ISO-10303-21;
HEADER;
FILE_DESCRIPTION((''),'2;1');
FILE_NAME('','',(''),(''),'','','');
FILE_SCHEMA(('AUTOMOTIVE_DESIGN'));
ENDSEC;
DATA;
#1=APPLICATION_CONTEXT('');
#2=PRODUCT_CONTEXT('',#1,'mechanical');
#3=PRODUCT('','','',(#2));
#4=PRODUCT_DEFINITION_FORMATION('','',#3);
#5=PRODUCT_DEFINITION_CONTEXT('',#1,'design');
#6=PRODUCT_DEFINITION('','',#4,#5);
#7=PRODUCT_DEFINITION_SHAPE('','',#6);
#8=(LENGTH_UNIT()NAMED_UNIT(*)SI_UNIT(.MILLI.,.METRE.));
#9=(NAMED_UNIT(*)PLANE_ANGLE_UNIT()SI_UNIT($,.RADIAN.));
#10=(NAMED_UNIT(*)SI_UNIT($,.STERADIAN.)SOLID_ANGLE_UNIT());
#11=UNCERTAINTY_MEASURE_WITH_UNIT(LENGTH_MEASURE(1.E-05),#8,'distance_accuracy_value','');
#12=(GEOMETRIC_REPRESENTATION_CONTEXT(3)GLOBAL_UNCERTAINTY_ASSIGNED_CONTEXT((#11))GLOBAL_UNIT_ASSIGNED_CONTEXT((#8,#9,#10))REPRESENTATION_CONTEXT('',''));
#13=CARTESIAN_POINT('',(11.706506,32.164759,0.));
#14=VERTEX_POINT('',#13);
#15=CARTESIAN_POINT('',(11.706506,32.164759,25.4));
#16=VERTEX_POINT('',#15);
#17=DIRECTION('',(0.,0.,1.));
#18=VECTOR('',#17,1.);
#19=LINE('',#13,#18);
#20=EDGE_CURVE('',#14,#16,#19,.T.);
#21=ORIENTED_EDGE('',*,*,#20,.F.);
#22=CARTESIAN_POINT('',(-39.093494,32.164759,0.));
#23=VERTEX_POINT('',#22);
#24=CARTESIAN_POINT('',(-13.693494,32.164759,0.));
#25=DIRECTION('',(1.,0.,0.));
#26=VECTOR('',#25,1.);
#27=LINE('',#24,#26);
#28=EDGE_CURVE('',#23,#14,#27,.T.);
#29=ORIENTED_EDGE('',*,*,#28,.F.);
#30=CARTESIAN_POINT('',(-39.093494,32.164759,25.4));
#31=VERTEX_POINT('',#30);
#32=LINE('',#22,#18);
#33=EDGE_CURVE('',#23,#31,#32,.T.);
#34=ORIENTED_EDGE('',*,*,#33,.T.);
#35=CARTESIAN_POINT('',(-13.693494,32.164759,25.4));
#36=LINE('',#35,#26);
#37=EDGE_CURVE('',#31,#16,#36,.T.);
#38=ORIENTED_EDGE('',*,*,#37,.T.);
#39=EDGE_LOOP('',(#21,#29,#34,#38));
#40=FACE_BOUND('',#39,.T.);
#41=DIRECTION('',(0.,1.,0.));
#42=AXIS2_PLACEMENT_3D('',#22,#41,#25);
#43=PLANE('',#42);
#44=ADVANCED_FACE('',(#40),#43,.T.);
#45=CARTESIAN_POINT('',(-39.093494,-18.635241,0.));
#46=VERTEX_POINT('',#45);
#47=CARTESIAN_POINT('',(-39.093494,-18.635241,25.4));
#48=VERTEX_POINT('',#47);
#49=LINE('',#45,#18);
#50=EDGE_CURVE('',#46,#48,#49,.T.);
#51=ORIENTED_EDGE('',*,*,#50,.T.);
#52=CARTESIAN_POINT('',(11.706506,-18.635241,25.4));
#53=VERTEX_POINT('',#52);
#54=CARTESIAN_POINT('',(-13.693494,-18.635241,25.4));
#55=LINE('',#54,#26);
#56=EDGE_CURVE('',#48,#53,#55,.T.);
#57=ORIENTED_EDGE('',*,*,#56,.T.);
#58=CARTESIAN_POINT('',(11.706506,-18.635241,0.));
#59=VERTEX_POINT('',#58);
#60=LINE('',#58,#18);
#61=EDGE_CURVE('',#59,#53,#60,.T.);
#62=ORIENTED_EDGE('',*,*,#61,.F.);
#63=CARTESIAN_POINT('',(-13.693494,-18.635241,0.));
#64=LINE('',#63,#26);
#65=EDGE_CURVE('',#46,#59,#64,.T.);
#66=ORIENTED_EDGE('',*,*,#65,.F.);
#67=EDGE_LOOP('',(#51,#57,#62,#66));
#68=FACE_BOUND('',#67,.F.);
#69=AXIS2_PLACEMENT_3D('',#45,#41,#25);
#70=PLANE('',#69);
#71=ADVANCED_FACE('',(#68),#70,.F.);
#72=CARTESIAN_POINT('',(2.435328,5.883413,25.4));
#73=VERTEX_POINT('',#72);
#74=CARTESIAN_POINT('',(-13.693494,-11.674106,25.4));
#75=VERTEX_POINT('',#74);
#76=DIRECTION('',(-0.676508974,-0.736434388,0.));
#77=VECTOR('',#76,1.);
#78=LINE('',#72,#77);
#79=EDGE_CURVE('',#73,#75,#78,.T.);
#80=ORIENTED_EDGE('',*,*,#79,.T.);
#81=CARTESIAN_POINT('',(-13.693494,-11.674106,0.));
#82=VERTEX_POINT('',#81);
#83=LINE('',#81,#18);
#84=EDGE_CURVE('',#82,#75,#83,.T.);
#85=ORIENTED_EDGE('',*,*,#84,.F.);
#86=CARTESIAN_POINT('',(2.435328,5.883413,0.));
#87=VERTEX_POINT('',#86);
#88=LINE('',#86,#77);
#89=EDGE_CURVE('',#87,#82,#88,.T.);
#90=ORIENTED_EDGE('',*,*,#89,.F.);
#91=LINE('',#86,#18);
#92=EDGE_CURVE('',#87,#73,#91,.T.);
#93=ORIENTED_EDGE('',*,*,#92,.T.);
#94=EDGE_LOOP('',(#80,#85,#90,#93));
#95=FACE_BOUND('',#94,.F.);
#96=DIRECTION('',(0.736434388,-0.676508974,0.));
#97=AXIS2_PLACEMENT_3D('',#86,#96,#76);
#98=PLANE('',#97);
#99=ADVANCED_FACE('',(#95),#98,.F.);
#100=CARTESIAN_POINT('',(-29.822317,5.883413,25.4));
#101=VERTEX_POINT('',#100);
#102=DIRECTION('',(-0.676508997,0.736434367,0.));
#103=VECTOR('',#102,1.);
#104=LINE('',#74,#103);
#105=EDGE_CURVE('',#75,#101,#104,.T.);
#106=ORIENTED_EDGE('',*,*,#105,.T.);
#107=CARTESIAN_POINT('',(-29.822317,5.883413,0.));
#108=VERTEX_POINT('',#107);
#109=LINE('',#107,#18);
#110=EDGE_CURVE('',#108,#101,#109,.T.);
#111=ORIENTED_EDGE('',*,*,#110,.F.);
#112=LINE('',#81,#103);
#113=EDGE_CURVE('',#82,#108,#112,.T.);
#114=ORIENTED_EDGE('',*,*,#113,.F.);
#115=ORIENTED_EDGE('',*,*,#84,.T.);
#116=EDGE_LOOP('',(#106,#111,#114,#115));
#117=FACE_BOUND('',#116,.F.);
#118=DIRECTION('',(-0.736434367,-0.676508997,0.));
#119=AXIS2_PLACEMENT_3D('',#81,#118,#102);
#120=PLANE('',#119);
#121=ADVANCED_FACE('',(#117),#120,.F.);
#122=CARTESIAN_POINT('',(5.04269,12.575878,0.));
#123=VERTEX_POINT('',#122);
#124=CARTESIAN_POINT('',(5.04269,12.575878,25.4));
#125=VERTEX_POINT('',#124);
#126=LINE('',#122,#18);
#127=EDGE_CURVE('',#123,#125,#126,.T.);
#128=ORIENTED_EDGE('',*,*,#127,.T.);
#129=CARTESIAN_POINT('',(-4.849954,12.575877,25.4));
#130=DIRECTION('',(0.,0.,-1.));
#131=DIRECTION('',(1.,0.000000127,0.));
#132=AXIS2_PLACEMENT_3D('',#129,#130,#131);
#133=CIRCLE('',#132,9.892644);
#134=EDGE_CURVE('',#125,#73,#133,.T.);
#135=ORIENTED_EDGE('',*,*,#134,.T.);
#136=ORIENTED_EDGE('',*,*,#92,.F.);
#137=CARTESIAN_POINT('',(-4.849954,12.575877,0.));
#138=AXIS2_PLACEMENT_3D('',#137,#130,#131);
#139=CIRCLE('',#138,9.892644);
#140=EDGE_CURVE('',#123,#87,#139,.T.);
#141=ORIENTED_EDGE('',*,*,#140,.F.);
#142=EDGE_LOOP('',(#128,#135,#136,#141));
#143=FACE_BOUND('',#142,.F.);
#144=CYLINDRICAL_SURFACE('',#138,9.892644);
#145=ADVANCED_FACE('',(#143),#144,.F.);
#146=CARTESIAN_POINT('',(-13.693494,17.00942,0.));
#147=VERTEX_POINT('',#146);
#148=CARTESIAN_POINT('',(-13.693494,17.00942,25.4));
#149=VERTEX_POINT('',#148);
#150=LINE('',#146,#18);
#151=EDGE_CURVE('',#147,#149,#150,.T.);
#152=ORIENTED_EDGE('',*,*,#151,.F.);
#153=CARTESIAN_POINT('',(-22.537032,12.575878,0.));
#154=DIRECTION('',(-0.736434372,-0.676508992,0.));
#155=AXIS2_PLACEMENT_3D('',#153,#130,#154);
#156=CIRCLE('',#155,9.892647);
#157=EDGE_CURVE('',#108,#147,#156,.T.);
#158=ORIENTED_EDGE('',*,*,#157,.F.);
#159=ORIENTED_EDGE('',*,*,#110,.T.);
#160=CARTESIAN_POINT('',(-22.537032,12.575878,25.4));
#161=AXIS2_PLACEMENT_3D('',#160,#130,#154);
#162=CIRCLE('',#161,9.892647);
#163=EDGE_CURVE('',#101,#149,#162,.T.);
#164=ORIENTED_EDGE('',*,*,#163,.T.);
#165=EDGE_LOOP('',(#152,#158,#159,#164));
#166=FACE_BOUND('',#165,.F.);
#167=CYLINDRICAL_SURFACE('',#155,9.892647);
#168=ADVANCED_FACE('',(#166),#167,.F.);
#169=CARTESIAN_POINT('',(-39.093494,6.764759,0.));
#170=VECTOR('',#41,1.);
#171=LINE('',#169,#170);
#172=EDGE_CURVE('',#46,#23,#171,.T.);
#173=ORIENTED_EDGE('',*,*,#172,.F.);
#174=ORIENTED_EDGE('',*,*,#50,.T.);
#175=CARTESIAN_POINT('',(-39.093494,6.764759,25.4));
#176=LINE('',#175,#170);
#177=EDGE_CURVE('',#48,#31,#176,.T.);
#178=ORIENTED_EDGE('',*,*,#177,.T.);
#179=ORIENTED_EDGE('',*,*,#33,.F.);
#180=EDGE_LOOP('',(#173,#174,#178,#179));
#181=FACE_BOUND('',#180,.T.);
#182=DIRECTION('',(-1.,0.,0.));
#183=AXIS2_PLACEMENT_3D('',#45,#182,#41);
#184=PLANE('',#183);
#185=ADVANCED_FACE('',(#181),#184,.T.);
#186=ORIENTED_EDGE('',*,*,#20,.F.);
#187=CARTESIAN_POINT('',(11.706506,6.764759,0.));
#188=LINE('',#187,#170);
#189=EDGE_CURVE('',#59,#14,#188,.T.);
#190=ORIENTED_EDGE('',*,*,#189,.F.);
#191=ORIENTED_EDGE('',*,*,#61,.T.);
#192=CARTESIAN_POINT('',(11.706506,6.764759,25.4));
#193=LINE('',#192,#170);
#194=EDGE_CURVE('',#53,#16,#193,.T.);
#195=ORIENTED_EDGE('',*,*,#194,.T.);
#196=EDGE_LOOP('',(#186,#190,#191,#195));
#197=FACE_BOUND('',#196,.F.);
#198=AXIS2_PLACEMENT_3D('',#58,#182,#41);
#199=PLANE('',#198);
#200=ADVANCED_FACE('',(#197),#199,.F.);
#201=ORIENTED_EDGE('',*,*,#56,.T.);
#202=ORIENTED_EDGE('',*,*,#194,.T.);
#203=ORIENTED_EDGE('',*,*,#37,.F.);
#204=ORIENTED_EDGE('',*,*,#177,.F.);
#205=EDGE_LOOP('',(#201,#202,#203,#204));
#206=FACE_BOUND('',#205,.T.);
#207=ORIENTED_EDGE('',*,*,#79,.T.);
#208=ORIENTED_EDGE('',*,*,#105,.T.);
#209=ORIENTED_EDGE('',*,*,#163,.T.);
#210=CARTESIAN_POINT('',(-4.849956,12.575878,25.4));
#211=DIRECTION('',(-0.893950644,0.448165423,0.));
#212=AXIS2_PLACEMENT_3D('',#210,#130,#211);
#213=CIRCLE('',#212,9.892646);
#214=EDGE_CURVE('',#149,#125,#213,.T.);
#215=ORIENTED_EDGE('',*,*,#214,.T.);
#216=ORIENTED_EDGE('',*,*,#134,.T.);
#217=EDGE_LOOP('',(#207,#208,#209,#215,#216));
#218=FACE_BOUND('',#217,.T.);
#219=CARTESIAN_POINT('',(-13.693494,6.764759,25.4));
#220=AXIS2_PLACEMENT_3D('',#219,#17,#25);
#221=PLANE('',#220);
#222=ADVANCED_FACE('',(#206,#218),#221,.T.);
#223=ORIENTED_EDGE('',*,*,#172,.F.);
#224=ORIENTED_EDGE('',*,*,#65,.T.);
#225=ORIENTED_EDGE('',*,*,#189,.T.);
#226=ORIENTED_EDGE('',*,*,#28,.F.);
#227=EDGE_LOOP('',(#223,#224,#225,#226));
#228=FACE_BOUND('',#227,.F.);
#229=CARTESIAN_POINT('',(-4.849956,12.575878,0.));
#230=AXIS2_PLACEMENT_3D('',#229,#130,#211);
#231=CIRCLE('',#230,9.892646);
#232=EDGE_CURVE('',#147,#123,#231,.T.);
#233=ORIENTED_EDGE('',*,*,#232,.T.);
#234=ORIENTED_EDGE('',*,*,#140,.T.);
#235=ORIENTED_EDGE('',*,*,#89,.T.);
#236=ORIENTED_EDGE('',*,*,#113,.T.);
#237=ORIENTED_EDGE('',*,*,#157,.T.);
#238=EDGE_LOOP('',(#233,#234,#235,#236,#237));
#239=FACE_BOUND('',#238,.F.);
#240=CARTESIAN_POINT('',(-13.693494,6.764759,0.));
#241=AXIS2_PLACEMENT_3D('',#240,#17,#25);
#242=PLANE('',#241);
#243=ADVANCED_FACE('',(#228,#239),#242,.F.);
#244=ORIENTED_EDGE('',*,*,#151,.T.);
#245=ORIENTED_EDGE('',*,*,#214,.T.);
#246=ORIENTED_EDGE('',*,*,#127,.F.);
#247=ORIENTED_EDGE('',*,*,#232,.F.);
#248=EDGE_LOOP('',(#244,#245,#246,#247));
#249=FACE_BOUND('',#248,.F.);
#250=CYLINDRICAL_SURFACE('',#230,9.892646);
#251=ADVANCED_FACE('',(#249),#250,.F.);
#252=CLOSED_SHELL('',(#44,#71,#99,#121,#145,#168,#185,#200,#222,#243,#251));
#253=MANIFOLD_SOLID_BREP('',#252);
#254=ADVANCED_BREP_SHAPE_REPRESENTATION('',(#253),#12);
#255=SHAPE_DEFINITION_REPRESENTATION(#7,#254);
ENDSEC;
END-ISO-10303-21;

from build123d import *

# Parameters (mm, degrees)
F0_W     = 50.8
F0_H     = 50.8
F1_DEPTH = 25.4


with BuildPart() as f1:
    # F0 (on Top) → F1 (new body)
    with BuildSketch(Plane.XY):
        with Locations((-13.693494, 6.764759)):
            Rectangle(F0_W, F0_H)
        with BuildLine():
            ThreePointArc((-29.822317, 5.883413), (-28.154331, 20.718998), (-13.693494, 17.00942))
            ThreePointArc((-13.693494, 17.00942), (-2.571968, 22.202675), (5.04269, 12.575878))
            ThreePointArc((5.04269, 12.575878), (4.367831, 8.984659), (2.435328, 5.883413))
            Line((2.435328, 5.883413), (-13.693494, -11.674106))
            Line((-13.693494, -11.674106), (-29.822317, 5.883413))
        make_face(mode=Mode.SUBTRACT)
    extrude(amount=F1_DEPTH)


solid = f1.part
